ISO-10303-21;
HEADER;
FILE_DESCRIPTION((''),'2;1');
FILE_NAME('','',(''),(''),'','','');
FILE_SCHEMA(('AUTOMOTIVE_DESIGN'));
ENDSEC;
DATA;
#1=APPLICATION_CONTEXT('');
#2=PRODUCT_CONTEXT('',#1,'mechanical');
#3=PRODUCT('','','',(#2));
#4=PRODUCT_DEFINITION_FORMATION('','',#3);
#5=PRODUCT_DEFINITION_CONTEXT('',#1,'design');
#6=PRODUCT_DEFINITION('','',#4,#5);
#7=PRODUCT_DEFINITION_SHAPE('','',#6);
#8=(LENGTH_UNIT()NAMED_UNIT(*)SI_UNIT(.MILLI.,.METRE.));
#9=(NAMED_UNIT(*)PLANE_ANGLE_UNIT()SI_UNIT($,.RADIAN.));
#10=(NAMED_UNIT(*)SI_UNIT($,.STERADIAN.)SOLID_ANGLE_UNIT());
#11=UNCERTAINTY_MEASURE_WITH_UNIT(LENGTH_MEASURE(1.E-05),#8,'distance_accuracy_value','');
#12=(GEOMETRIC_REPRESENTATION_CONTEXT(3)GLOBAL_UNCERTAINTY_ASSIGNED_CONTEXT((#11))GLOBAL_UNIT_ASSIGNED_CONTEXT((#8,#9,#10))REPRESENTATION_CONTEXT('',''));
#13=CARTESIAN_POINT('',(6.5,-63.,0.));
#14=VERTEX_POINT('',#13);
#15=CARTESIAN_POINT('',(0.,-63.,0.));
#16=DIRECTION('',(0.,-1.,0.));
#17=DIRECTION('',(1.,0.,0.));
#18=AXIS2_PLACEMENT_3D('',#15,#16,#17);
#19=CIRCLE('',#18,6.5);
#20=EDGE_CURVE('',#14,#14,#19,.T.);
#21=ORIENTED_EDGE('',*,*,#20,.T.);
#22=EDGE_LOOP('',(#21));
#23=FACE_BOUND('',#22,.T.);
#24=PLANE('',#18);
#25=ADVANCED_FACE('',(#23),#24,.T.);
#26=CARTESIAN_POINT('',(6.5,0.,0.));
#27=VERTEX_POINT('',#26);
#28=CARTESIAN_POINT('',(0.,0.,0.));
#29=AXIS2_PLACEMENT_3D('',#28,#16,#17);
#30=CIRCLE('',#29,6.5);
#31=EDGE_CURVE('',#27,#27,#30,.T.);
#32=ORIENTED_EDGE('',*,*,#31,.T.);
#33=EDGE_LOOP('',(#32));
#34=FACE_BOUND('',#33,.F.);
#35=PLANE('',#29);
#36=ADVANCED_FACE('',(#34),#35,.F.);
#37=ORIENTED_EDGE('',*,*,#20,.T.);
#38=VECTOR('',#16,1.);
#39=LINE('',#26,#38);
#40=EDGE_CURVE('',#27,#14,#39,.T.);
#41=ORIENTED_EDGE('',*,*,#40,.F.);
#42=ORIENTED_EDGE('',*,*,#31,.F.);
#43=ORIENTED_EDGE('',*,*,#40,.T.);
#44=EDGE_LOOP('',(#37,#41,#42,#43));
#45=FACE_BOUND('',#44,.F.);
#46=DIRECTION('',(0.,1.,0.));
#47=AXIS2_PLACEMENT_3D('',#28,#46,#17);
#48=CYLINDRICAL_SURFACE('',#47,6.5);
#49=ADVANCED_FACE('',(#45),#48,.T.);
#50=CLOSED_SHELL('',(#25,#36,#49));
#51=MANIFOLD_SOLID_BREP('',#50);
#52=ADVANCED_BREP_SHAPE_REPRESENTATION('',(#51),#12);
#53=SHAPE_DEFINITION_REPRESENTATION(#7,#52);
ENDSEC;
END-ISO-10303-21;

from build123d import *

# Parameters (mm, degrees)
SKETCH_R  = 6.5
PAD_DEPTH = 63


with BuildPart() as part:
    # Sketch → Pad (new body)
    with BuildSketch(Plane.XZ):
        Circle(SKETCH_R)
    extrude(amount=PAD_DEPTH)


solid = part.part
